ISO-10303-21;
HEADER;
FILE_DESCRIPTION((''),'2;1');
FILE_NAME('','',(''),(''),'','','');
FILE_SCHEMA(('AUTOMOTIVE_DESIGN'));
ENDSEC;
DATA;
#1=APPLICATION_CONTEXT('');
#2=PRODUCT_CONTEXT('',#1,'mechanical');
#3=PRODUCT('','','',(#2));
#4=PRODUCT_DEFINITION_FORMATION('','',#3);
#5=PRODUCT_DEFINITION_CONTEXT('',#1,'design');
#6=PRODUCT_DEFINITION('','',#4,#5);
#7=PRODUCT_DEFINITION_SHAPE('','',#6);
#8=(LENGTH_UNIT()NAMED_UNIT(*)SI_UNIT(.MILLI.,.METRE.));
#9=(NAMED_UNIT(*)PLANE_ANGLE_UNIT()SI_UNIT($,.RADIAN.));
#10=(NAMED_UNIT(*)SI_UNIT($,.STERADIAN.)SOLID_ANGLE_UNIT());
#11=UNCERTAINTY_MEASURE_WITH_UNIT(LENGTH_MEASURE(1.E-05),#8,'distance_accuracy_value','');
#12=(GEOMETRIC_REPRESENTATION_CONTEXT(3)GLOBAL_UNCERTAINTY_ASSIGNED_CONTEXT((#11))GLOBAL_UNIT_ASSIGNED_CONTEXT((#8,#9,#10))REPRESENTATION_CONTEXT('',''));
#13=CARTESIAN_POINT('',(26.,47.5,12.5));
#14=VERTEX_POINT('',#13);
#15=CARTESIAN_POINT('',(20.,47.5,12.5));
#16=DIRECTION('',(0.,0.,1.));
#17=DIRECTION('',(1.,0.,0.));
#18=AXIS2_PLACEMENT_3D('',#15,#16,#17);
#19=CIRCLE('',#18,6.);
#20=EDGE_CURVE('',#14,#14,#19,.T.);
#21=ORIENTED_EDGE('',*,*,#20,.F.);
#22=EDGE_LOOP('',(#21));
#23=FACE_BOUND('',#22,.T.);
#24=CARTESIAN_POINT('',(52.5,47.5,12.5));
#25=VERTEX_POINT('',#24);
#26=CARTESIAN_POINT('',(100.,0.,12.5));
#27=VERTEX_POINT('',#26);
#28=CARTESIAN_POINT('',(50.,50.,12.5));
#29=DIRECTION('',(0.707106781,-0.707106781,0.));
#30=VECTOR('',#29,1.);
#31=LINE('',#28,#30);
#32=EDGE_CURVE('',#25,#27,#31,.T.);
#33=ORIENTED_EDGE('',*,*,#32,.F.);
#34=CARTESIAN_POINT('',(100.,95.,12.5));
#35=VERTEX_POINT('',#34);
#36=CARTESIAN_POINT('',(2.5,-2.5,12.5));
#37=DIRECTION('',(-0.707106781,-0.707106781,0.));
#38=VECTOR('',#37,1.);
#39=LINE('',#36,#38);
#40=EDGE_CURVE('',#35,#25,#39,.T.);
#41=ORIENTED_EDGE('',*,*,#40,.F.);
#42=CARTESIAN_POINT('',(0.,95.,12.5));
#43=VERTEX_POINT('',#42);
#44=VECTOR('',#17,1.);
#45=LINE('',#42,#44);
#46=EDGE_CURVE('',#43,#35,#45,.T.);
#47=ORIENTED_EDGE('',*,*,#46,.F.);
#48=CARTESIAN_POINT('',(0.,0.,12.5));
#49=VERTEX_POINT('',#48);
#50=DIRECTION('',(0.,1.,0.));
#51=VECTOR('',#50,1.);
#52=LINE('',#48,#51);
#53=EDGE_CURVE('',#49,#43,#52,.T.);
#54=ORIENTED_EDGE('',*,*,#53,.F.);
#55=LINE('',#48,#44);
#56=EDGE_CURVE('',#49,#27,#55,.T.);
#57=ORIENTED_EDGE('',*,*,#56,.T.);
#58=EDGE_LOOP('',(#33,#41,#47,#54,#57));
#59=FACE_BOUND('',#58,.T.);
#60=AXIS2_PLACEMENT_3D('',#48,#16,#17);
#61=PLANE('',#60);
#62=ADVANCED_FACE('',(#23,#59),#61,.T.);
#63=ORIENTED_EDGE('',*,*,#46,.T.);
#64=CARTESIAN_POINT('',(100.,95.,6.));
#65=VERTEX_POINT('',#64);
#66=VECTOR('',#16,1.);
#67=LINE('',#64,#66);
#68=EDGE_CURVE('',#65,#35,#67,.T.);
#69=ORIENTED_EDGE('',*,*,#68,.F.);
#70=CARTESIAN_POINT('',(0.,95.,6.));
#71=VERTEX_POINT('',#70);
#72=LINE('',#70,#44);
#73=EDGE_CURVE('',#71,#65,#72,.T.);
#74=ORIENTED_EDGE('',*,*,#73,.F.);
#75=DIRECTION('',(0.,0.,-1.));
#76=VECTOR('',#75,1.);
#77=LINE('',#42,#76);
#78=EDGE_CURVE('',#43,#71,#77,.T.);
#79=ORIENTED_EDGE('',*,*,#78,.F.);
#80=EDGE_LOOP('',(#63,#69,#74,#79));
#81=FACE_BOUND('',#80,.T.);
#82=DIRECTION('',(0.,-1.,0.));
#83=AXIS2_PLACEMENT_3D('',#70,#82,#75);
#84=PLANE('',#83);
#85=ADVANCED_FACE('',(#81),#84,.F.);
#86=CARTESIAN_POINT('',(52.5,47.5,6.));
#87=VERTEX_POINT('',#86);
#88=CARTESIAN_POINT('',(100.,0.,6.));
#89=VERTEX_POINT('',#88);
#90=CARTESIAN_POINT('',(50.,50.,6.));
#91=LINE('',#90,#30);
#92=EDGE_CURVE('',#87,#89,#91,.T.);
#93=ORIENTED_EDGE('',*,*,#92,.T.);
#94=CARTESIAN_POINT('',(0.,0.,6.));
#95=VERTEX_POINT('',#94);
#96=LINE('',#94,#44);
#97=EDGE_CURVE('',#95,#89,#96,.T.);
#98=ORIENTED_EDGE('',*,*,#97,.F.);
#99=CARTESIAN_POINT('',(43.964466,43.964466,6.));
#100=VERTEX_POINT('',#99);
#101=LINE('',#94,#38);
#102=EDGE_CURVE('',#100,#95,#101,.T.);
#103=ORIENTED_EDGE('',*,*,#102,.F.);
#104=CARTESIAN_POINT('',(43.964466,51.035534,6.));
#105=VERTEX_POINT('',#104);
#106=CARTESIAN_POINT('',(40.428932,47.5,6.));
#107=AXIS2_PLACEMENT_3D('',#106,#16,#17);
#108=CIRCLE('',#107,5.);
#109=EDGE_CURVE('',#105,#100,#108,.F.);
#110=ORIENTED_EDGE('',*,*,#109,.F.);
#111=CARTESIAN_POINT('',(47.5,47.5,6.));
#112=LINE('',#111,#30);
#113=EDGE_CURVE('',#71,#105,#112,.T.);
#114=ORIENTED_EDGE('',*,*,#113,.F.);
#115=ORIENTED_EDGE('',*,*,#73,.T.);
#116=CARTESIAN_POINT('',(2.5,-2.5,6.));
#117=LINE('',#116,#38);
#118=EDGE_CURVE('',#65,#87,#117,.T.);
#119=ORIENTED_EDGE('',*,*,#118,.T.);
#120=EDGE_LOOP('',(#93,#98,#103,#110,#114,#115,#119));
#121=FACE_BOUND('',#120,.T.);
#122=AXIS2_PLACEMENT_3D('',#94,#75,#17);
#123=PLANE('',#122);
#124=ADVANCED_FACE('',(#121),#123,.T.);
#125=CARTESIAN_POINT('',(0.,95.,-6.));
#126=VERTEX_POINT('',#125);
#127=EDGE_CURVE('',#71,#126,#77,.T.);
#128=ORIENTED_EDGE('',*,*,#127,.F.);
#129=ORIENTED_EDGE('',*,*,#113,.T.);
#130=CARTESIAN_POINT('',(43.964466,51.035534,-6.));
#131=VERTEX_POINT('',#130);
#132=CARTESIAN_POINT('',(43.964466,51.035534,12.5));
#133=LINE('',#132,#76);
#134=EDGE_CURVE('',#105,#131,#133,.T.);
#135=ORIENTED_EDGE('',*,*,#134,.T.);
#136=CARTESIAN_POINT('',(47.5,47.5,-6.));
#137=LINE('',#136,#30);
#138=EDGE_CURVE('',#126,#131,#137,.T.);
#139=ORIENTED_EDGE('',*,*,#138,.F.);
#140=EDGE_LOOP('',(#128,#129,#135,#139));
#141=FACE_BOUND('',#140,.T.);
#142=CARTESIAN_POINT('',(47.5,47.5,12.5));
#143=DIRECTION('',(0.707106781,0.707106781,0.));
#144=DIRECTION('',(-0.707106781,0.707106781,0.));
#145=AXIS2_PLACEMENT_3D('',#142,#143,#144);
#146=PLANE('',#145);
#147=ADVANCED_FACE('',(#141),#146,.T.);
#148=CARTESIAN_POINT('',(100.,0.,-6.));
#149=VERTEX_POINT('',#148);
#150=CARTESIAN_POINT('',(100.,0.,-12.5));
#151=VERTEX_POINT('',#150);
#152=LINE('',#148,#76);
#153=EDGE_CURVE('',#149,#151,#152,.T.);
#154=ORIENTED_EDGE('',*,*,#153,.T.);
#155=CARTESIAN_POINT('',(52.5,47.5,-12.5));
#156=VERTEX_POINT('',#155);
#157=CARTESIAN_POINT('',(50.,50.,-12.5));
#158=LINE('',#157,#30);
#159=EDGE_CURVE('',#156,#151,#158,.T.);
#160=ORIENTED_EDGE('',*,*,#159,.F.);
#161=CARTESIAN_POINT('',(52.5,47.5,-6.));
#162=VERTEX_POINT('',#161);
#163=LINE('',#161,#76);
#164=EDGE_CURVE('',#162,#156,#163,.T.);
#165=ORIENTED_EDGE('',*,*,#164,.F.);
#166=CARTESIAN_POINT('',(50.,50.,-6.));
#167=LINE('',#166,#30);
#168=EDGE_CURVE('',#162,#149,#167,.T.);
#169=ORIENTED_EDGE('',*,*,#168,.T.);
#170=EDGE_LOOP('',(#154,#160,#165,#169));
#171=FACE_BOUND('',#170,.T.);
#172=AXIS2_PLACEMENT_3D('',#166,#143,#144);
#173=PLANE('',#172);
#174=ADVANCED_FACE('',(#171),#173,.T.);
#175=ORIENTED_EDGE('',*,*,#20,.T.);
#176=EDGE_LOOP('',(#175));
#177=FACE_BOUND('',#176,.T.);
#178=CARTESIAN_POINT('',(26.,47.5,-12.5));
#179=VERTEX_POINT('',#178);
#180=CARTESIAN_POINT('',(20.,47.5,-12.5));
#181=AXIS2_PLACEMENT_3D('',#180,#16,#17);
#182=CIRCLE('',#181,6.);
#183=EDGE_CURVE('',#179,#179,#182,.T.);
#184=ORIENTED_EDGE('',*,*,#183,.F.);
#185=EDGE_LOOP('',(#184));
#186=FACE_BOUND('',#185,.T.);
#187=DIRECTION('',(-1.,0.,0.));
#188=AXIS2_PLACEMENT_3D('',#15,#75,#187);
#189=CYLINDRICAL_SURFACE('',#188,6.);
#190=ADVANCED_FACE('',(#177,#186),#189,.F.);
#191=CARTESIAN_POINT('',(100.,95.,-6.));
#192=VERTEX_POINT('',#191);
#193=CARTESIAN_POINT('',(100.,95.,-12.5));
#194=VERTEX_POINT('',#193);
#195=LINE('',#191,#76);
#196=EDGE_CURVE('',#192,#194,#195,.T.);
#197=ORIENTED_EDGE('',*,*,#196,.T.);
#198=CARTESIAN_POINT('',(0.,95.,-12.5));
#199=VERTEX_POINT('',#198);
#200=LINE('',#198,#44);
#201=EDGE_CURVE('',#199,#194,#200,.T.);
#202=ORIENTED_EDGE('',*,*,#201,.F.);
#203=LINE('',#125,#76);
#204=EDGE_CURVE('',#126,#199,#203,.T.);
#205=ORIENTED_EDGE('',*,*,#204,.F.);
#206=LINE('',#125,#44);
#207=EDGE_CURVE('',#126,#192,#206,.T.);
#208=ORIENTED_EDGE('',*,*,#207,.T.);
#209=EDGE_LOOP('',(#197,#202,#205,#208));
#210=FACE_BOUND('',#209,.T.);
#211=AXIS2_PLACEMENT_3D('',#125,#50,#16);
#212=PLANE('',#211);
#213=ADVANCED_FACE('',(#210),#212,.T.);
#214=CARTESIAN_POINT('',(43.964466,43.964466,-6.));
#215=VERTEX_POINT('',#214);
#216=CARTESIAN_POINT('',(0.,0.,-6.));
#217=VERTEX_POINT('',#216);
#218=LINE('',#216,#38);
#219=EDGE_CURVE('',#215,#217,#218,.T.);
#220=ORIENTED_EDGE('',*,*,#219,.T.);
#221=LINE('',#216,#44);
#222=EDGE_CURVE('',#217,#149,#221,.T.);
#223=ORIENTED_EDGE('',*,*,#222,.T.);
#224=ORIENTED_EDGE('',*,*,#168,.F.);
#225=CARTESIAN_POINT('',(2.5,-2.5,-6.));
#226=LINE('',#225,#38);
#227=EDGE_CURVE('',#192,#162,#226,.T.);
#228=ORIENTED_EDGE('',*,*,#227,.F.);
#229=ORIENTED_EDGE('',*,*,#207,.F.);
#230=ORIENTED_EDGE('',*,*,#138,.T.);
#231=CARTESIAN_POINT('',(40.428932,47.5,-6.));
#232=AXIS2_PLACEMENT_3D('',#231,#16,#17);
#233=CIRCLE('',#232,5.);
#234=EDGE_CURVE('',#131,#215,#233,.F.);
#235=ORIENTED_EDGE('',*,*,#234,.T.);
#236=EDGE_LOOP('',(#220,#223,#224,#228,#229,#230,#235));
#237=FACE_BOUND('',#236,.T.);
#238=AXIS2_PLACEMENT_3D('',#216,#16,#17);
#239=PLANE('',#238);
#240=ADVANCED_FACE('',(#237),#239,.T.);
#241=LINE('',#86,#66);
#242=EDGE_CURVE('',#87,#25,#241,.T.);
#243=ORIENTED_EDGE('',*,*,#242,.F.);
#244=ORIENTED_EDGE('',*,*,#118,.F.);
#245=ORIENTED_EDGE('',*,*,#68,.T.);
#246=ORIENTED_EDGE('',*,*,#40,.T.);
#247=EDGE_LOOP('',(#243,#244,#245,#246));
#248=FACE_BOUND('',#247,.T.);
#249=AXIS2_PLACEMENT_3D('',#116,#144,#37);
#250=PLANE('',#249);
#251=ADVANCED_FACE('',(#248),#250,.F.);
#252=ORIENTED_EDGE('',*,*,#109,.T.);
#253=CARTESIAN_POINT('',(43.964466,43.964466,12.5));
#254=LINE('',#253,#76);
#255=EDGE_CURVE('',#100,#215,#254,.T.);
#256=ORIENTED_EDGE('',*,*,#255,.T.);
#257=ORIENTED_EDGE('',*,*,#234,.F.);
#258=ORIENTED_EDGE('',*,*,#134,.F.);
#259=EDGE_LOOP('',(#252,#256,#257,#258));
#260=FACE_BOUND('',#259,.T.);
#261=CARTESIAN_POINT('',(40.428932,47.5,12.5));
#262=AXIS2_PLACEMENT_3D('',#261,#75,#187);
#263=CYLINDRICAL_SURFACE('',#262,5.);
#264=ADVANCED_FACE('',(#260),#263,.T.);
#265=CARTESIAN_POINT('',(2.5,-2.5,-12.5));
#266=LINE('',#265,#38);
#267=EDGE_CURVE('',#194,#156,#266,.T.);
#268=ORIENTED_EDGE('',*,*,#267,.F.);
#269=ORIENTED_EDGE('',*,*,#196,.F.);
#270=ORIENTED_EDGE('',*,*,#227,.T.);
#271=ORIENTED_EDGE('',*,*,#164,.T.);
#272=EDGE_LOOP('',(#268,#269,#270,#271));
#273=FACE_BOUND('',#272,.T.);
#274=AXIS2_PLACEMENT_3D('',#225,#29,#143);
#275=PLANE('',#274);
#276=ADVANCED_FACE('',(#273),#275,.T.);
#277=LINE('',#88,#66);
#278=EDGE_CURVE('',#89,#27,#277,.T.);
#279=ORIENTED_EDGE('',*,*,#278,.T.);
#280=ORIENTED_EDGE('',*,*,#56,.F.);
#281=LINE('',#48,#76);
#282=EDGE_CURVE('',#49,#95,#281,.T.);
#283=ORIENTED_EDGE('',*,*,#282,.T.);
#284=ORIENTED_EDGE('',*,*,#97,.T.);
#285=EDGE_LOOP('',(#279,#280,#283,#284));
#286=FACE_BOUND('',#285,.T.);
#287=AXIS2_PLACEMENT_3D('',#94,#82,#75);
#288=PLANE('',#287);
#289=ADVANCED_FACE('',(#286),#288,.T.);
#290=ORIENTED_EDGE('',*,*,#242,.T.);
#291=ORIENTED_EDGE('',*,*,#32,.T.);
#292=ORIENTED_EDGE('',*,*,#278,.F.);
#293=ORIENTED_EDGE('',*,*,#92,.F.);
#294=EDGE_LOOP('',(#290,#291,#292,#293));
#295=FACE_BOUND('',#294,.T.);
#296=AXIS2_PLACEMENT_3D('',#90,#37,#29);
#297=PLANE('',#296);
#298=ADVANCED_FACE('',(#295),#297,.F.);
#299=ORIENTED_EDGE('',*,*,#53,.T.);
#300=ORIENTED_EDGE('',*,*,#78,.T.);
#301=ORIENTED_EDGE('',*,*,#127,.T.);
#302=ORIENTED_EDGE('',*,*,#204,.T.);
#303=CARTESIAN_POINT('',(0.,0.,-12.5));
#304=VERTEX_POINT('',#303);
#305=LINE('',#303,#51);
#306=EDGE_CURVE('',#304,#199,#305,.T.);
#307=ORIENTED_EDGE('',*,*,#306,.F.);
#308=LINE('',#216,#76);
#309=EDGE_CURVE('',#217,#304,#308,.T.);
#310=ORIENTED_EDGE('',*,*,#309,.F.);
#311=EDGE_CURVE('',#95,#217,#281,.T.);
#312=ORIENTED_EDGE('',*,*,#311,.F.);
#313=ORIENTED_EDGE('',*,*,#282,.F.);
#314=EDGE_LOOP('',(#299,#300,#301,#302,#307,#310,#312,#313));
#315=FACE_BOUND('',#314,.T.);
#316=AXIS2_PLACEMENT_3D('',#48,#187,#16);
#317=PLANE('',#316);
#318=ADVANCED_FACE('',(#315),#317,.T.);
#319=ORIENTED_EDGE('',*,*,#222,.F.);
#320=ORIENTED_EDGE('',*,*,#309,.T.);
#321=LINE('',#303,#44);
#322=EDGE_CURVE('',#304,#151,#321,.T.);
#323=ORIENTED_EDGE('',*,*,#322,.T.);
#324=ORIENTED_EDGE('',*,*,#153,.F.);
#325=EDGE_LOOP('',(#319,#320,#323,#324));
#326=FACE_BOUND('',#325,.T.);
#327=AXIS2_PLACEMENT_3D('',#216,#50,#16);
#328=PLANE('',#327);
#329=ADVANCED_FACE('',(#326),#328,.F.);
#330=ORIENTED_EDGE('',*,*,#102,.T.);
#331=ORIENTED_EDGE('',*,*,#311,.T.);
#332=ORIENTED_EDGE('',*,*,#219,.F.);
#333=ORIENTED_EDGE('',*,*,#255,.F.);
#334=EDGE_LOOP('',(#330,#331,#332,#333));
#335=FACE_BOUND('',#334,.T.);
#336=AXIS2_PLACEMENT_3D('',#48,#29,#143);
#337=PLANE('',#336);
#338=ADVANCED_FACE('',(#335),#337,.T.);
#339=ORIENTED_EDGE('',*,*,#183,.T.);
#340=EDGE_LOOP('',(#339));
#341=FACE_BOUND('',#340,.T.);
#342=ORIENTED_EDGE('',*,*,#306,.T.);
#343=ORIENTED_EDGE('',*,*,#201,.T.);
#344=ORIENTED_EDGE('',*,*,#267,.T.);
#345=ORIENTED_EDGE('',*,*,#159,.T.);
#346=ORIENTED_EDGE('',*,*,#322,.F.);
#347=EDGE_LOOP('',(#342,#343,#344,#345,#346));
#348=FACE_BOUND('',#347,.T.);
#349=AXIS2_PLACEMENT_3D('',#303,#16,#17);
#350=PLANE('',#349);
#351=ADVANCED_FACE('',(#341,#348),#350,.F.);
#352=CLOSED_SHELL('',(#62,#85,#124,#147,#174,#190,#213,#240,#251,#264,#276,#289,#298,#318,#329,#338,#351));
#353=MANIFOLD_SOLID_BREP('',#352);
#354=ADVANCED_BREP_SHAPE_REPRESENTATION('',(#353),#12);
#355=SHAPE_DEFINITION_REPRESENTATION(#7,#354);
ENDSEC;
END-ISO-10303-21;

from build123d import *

# Parameters (mm, degrees)
BOSS_EXTRUDE1_START = -12.5
BOSS_EXTRUDE1_DEPTH = 6.5
SKETCH1_3_R         = 6
BOSS_EXTRUDE2_DEPTH = 12.5


with BuildPart() as part:
    # Sketch1 → Boss-Extrude1 (new body)
    with BuildSketch(Plane.XY.offset(BOSS_EXTRUDE1_START)):
        with BuildLine():
            Line((52.5, 47.5), (100, 95))
            Line((100, 95), (0, 95))
            Line((0, 95), (43.964466094, 51.035533906))
            ThreePointArc((43.964466094, 51.035533906), (45.428932188, 47.5), (43.964466094, 43.964466094))
            Line((43.964466094, 43.964466094), (0, 0))
            Line((0, 0), (100, 0))
            Line((100, 0), (52.5, 47.5))
        make_face()
    boss_extrude1 = extrude(amount=BOSS_EXTRUDE1_DEPTH)

    # Sketch1<3> → Boss-Extrude2 (add, symmetric)
    with BuildSketch(Plane.XY):
        with BuildLine():
            Line((43.964466094, 51.035533906), (0, 95))
            Line((0, 95), (0, 0))
            Line((0, 0), (43.964466094, 43.964466094))
            ThreePointArc((43.964466094, 43.964466094), (45.428932188, 47.5), (43.964466094, 51.035533906))
        make_face()
        with Locations((20, 47.5)):
            Circle(SKETCH1_3_R, mode=Mode.SUBTRACT)
    extrude(amount=BOSS_EXTRUDE2_DEPTH, both=True)

    # Mirror2: Boss-Extrude1 across plane
    add(boss_extrude1.mirror(Plane.XY))


solid = part.part
